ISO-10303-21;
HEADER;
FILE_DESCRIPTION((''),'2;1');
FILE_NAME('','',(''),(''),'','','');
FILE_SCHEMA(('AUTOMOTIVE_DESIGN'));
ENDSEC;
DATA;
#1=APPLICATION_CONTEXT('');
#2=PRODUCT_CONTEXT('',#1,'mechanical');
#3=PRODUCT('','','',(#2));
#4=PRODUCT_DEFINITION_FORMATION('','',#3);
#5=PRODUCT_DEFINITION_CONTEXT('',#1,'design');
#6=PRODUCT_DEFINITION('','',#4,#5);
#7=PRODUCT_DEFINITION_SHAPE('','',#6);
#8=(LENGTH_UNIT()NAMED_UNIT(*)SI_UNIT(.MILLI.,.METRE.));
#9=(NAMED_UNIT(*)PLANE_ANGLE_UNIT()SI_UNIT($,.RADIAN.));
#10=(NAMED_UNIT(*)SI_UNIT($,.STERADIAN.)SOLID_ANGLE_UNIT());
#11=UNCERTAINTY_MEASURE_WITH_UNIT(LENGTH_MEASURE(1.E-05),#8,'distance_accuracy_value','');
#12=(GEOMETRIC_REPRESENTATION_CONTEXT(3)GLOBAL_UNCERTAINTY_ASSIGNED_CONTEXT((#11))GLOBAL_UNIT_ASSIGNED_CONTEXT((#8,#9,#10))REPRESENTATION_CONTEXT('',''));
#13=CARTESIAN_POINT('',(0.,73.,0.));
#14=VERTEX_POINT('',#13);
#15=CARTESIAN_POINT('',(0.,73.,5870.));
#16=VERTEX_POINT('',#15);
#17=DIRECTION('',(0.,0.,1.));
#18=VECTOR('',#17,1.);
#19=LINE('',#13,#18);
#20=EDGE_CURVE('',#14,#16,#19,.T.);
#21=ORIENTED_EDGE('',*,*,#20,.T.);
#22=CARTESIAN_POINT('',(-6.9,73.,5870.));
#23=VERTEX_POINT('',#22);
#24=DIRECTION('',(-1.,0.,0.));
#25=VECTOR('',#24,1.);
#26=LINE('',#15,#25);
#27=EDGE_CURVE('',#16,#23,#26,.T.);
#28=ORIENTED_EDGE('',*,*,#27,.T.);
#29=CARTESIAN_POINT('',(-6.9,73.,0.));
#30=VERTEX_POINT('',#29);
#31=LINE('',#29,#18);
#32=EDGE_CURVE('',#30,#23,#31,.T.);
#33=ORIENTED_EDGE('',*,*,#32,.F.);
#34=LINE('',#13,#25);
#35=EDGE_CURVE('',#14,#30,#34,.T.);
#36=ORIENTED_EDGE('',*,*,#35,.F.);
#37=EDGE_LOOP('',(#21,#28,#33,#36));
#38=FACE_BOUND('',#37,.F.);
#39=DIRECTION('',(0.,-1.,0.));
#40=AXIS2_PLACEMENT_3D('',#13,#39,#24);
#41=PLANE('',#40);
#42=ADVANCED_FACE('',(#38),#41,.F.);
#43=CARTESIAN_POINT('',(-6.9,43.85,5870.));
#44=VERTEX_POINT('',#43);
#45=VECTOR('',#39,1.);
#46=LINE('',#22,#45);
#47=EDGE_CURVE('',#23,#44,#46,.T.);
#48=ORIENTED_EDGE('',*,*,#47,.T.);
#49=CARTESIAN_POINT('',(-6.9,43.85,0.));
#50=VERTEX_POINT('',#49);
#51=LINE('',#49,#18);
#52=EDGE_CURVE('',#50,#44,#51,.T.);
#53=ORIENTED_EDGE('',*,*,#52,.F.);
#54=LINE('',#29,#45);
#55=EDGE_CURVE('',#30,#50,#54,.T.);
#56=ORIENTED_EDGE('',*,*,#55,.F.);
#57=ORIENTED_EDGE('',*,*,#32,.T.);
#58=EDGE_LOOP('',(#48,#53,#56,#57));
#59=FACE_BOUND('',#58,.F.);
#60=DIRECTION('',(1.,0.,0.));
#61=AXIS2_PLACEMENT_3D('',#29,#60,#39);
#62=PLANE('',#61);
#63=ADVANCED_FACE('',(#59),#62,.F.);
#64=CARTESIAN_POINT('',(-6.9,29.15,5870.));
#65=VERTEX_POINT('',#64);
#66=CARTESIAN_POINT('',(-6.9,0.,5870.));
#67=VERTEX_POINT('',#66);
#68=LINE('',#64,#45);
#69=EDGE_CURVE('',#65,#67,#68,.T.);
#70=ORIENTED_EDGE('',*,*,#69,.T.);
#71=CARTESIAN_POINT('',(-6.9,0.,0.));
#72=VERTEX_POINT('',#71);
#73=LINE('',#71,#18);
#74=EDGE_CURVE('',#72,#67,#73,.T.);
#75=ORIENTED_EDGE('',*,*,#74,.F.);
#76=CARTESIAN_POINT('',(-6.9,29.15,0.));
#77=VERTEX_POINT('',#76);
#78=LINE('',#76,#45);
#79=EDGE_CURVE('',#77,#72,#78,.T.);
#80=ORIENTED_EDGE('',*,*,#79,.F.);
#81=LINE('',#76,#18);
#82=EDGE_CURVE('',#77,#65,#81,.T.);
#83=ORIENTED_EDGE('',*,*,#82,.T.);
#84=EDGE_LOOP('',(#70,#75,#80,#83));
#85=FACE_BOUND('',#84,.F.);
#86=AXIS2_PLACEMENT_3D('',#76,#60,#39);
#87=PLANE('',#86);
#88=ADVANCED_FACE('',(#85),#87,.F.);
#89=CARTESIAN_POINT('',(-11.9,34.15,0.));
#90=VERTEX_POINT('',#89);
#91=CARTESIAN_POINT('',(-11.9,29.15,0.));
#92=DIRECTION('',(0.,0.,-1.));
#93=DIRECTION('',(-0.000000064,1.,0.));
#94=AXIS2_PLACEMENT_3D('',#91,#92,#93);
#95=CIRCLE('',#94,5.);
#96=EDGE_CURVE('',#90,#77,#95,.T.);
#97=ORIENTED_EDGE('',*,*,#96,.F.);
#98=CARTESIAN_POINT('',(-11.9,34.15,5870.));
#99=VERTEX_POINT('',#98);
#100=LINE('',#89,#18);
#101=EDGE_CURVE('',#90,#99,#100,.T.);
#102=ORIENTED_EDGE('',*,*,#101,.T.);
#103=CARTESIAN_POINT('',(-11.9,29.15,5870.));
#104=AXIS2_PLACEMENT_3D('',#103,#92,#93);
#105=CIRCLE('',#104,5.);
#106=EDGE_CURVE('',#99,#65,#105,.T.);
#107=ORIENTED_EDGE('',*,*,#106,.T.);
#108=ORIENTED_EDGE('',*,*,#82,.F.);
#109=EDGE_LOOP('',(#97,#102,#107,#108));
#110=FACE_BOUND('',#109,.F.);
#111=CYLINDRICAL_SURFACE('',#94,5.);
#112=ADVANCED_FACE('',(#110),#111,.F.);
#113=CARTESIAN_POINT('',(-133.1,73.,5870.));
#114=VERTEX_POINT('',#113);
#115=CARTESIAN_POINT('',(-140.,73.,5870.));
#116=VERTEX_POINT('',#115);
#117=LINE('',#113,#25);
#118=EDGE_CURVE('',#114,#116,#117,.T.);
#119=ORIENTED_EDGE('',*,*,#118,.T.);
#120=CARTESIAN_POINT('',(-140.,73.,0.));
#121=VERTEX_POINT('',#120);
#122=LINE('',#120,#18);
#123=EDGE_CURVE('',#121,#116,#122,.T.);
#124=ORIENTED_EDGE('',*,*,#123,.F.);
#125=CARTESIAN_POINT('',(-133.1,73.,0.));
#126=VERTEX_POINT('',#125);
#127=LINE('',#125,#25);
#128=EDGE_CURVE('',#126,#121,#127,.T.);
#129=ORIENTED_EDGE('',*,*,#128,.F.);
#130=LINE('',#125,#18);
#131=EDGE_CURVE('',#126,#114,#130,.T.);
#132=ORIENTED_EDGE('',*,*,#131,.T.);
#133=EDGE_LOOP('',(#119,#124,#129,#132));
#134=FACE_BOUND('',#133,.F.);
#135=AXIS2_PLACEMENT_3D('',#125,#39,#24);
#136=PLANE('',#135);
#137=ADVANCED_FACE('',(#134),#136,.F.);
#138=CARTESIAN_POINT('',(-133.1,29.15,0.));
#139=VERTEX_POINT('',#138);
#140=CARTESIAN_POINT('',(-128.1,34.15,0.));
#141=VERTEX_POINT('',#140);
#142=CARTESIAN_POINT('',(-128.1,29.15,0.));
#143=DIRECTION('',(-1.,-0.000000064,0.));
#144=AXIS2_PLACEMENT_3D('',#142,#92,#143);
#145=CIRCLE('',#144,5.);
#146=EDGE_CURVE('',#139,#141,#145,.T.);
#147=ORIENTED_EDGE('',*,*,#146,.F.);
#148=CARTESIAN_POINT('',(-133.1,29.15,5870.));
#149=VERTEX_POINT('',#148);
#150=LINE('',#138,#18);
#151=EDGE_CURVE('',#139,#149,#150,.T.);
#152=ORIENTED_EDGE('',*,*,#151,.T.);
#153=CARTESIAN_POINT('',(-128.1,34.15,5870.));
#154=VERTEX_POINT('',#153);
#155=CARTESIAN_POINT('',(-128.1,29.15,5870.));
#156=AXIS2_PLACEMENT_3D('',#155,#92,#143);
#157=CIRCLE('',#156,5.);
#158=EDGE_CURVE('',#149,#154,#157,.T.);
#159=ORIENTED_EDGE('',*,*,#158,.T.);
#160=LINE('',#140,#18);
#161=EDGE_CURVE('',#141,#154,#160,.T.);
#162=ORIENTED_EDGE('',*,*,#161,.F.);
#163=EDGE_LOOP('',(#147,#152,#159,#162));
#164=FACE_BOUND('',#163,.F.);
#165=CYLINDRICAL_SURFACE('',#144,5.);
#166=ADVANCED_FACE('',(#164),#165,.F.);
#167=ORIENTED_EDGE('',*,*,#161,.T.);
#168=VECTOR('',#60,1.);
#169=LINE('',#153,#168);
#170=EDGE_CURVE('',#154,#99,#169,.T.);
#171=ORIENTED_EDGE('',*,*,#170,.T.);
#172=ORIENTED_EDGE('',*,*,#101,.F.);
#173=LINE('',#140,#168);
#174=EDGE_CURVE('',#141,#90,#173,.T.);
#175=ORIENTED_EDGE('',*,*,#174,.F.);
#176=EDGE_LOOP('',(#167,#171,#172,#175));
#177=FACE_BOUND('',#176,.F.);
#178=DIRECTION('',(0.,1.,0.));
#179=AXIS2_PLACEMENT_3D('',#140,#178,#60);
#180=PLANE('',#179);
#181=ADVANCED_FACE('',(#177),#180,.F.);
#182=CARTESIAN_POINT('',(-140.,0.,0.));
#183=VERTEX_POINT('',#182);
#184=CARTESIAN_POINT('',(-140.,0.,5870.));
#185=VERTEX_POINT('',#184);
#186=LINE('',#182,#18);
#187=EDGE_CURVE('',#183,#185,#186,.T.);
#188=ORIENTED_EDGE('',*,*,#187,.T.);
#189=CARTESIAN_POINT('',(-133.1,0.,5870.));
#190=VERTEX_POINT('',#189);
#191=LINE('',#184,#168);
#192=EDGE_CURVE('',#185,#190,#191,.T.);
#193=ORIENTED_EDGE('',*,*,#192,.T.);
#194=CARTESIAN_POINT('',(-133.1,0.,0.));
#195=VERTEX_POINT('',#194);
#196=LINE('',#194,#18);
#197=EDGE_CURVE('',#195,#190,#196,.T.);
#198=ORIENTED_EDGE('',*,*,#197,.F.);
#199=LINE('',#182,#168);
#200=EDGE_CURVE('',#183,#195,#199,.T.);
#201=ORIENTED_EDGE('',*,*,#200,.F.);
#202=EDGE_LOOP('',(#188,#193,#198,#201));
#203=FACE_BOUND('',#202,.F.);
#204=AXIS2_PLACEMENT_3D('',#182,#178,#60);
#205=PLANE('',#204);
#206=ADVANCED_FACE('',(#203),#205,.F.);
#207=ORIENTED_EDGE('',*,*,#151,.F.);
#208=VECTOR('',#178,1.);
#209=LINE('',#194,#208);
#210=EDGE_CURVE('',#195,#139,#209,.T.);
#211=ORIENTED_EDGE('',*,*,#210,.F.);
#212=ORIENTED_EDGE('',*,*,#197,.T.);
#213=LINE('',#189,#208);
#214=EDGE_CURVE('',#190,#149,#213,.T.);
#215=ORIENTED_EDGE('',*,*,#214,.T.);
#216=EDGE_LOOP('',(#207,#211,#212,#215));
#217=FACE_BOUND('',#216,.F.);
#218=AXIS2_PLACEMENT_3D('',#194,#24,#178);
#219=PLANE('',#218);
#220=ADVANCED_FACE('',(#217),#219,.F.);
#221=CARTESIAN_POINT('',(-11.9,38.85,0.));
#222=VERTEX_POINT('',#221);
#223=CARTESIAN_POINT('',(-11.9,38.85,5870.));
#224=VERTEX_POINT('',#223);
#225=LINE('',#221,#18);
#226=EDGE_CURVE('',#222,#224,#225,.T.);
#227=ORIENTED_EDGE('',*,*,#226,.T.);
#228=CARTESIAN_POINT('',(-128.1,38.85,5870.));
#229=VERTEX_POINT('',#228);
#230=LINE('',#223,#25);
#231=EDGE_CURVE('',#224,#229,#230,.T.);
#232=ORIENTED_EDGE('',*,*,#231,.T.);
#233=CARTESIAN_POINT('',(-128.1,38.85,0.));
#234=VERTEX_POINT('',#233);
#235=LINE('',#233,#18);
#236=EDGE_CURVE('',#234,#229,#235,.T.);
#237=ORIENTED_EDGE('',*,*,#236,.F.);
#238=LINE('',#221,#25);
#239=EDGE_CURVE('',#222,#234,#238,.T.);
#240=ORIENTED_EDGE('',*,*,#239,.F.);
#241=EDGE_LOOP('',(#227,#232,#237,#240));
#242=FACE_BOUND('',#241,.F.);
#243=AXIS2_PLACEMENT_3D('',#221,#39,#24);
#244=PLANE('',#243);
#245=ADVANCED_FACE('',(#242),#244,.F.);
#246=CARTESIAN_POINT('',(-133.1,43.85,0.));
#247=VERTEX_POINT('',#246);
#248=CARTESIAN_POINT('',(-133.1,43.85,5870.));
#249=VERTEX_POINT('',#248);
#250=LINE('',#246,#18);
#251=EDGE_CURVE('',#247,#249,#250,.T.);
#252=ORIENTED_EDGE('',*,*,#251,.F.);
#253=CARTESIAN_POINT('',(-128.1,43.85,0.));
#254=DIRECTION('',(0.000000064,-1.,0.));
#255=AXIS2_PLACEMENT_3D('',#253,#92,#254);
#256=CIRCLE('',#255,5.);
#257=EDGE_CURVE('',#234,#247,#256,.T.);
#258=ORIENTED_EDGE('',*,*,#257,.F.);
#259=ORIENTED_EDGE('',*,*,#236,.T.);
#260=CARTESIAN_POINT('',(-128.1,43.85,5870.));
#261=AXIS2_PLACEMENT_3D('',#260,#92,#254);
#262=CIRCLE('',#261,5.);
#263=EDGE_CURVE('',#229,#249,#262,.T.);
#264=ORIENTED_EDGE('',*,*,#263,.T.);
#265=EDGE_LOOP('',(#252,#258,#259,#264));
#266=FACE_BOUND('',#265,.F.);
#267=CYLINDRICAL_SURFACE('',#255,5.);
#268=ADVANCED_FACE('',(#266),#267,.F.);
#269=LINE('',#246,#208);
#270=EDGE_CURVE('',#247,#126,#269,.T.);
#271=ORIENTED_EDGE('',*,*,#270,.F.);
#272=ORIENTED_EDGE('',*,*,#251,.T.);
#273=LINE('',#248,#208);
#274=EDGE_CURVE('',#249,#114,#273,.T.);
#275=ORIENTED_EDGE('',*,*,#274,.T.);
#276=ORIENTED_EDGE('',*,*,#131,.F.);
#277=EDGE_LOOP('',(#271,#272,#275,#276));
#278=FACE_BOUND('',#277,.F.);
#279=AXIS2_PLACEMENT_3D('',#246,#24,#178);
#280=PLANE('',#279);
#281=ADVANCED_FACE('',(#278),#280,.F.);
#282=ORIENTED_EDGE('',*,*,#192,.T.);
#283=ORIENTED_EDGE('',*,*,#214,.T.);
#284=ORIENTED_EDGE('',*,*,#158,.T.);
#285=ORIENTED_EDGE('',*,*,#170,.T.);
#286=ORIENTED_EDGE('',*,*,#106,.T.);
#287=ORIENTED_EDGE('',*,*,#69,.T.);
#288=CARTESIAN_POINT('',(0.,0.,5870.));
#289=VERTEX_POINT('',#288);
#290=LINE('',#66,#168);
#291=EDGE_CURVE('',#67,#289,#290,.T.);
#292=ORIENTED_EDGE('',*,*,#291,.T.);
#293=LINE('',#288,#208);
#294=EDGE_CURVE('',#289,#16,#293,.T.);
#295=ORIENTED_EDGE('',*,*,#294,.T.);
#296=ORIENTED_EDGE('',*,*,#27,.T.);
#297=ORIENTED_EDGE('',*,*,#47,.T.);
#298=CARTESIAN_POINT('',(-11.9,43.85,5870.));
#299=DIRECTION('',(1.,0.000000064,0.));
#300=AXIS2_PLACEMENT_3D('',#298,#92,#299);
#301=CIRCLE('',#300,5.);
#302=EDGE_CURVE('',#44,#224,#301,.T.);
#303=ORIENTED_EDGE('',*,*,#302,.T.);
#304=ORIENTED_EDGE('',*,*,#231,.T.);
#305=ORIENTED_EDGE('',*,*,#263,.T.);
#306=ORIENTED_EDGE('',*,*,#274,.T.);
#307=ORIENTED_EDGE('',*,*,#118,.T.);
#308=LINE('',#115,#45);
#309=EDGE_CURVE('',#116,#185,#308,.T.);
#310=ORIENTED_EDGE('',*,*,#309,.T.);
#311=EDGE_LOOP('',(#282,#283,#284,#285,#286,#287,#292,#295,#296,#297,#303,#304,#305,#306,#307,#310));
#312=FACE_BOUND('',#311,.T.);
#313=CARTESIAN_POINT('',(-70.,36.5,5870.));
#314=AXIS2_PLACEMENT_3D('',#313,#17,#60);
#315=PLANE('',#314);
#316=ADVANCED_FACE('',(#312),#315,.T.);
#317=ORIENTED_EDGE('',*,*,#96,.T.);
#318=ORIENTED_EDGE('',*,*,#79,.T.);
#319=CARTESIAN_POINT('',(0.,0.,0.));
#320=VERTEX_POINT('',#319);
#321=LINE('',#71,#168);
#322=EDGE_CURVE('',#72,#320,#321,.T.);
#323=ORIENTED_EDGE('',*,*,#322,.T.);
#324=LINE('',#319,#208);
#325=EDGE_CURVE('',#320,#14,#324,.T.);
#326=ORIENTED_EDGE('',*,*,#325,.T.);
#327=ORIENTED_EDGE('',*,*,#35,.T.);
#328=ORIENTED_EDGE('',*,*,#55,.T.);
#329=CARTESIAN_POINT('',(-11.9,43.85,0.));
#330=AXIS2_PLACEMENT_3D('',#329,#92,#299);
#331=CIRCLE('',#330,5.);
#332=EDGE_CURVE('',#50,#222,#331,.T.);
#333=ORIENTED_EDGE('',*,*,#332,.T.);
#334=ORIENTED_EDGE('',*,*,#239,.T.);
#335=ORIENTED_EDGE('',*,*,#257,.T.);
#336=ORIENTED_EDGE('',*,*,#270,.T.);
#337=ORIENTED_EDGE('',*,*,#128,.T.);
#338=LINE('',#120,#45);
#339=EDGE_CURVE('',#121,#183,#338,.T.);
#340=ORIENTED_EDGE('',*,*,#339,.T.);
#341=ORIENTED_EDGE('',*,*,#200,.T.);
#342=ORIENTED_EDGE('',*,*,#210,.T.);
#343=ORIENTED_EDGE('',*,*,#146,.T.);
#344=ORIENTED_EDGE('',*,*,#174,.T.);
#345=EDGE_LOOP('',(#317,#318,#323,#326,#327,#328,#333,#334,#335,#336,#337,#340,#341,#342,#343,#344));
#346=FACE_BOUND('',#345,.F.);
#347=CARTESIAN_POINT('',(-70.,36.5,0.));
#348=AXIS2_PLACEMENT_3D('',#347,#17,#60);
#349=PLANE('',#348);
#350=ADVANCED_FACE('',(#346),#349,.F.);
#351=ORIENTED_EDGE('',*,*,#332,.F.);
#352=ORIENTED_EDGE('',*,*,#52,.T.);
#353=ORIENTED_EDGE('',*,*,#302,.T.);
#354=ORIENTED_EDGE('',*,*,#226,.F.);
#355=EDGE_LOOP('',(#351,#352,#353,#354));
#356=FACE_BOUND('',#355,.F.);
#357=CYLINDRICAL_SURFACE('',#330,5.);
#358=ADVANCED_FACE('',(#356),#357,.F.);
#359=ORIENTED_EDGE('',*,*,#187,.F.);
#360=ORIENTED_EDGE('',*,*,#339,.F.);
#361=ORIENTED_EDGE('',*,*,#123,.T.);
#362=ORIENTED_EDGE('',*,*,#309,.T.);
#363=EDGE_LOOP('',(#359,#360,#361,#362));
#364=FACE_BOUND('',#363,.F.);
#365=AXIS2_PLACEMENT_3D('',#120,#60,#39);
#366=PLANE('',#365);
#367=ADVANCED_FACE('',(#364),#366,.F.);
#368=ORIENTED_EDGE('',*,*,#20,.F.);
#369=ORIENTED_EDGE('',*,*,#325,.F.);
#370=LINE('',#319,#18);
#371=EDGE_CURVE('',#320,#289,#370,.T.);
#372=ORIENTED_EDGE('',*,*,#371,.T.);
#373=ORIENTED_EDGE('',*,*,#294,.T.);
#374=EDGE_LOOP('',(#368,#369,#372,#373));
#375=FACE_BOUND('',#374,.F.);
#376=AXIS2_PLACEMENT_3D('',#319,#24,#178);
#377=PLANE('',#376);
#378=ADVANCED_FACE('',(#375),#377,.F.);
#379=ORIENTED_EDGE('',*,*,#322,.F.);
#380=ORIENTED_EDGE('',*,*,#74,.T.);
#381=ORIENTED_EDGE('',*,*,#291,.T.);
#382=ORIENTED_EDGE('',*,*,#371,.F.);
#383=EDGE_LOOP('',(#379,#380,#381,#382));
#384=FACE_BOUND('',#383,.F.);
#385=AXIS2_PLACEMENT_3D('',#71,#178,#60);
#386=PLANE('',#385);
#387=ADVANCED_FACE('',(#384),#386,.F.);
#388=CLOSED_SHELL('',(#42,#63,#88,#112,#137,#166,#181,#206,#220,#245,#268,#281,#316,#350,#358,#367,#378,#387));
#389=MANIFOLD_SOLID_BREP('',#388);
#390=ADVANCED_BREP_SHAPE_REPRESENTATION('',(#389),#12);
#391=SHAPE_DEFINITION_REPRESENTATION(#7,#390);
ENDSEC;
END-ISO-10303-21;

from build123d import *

# Parameters (mm, degrees)
F1_DEPTH = 5870


with BuildPart() as f1:
    # F0 (on Top) → F1 (new body)
    with BuildSketch(Plane.XY):
        with BuildLine():
            Line((-140, 73), (-140, 0))
            Line((-140, 0), (-133.1, 0))
            Line((-133.1, 0), (-133.1, 29.15))
            ThreePointArc((-133.1, 29.15), (-131.635534, 32.685534), (-128.1, 34.15))
            Line((-128.1, 34.15), (-11.9, 34.15))
            ThreePointArc((-11.9, 34.15), (-8.364466, 32.685534), (-6.9, 29.15))
            Line((-6.9, 29.15), (-6.9, 0))
            Line((-6.9, 0), (0, 0))
            Line((0, 0), (0, 73))
            Line((0, 73), (-6.9, 73))
            Line((-6.9, 73), (-6.9, 43.85))
            ThreePointArc((-6.9, 43.85), (-8.364466, 40.314466), (-11.9, 38.85))
            Line((-11.9, 38.85), (-128.1, 38.85))
            ThreePointArc((-128.1, 38.85), (-131.635534, 40.314466), (-133.1, 43.85))
            Line((-133.1, 43.85), (-133.1, 73))
            Line((-133.1, 73), (-140, 73))
        make_face()
    extrude(amount=F1_DEPTH)


solid = f1.part
